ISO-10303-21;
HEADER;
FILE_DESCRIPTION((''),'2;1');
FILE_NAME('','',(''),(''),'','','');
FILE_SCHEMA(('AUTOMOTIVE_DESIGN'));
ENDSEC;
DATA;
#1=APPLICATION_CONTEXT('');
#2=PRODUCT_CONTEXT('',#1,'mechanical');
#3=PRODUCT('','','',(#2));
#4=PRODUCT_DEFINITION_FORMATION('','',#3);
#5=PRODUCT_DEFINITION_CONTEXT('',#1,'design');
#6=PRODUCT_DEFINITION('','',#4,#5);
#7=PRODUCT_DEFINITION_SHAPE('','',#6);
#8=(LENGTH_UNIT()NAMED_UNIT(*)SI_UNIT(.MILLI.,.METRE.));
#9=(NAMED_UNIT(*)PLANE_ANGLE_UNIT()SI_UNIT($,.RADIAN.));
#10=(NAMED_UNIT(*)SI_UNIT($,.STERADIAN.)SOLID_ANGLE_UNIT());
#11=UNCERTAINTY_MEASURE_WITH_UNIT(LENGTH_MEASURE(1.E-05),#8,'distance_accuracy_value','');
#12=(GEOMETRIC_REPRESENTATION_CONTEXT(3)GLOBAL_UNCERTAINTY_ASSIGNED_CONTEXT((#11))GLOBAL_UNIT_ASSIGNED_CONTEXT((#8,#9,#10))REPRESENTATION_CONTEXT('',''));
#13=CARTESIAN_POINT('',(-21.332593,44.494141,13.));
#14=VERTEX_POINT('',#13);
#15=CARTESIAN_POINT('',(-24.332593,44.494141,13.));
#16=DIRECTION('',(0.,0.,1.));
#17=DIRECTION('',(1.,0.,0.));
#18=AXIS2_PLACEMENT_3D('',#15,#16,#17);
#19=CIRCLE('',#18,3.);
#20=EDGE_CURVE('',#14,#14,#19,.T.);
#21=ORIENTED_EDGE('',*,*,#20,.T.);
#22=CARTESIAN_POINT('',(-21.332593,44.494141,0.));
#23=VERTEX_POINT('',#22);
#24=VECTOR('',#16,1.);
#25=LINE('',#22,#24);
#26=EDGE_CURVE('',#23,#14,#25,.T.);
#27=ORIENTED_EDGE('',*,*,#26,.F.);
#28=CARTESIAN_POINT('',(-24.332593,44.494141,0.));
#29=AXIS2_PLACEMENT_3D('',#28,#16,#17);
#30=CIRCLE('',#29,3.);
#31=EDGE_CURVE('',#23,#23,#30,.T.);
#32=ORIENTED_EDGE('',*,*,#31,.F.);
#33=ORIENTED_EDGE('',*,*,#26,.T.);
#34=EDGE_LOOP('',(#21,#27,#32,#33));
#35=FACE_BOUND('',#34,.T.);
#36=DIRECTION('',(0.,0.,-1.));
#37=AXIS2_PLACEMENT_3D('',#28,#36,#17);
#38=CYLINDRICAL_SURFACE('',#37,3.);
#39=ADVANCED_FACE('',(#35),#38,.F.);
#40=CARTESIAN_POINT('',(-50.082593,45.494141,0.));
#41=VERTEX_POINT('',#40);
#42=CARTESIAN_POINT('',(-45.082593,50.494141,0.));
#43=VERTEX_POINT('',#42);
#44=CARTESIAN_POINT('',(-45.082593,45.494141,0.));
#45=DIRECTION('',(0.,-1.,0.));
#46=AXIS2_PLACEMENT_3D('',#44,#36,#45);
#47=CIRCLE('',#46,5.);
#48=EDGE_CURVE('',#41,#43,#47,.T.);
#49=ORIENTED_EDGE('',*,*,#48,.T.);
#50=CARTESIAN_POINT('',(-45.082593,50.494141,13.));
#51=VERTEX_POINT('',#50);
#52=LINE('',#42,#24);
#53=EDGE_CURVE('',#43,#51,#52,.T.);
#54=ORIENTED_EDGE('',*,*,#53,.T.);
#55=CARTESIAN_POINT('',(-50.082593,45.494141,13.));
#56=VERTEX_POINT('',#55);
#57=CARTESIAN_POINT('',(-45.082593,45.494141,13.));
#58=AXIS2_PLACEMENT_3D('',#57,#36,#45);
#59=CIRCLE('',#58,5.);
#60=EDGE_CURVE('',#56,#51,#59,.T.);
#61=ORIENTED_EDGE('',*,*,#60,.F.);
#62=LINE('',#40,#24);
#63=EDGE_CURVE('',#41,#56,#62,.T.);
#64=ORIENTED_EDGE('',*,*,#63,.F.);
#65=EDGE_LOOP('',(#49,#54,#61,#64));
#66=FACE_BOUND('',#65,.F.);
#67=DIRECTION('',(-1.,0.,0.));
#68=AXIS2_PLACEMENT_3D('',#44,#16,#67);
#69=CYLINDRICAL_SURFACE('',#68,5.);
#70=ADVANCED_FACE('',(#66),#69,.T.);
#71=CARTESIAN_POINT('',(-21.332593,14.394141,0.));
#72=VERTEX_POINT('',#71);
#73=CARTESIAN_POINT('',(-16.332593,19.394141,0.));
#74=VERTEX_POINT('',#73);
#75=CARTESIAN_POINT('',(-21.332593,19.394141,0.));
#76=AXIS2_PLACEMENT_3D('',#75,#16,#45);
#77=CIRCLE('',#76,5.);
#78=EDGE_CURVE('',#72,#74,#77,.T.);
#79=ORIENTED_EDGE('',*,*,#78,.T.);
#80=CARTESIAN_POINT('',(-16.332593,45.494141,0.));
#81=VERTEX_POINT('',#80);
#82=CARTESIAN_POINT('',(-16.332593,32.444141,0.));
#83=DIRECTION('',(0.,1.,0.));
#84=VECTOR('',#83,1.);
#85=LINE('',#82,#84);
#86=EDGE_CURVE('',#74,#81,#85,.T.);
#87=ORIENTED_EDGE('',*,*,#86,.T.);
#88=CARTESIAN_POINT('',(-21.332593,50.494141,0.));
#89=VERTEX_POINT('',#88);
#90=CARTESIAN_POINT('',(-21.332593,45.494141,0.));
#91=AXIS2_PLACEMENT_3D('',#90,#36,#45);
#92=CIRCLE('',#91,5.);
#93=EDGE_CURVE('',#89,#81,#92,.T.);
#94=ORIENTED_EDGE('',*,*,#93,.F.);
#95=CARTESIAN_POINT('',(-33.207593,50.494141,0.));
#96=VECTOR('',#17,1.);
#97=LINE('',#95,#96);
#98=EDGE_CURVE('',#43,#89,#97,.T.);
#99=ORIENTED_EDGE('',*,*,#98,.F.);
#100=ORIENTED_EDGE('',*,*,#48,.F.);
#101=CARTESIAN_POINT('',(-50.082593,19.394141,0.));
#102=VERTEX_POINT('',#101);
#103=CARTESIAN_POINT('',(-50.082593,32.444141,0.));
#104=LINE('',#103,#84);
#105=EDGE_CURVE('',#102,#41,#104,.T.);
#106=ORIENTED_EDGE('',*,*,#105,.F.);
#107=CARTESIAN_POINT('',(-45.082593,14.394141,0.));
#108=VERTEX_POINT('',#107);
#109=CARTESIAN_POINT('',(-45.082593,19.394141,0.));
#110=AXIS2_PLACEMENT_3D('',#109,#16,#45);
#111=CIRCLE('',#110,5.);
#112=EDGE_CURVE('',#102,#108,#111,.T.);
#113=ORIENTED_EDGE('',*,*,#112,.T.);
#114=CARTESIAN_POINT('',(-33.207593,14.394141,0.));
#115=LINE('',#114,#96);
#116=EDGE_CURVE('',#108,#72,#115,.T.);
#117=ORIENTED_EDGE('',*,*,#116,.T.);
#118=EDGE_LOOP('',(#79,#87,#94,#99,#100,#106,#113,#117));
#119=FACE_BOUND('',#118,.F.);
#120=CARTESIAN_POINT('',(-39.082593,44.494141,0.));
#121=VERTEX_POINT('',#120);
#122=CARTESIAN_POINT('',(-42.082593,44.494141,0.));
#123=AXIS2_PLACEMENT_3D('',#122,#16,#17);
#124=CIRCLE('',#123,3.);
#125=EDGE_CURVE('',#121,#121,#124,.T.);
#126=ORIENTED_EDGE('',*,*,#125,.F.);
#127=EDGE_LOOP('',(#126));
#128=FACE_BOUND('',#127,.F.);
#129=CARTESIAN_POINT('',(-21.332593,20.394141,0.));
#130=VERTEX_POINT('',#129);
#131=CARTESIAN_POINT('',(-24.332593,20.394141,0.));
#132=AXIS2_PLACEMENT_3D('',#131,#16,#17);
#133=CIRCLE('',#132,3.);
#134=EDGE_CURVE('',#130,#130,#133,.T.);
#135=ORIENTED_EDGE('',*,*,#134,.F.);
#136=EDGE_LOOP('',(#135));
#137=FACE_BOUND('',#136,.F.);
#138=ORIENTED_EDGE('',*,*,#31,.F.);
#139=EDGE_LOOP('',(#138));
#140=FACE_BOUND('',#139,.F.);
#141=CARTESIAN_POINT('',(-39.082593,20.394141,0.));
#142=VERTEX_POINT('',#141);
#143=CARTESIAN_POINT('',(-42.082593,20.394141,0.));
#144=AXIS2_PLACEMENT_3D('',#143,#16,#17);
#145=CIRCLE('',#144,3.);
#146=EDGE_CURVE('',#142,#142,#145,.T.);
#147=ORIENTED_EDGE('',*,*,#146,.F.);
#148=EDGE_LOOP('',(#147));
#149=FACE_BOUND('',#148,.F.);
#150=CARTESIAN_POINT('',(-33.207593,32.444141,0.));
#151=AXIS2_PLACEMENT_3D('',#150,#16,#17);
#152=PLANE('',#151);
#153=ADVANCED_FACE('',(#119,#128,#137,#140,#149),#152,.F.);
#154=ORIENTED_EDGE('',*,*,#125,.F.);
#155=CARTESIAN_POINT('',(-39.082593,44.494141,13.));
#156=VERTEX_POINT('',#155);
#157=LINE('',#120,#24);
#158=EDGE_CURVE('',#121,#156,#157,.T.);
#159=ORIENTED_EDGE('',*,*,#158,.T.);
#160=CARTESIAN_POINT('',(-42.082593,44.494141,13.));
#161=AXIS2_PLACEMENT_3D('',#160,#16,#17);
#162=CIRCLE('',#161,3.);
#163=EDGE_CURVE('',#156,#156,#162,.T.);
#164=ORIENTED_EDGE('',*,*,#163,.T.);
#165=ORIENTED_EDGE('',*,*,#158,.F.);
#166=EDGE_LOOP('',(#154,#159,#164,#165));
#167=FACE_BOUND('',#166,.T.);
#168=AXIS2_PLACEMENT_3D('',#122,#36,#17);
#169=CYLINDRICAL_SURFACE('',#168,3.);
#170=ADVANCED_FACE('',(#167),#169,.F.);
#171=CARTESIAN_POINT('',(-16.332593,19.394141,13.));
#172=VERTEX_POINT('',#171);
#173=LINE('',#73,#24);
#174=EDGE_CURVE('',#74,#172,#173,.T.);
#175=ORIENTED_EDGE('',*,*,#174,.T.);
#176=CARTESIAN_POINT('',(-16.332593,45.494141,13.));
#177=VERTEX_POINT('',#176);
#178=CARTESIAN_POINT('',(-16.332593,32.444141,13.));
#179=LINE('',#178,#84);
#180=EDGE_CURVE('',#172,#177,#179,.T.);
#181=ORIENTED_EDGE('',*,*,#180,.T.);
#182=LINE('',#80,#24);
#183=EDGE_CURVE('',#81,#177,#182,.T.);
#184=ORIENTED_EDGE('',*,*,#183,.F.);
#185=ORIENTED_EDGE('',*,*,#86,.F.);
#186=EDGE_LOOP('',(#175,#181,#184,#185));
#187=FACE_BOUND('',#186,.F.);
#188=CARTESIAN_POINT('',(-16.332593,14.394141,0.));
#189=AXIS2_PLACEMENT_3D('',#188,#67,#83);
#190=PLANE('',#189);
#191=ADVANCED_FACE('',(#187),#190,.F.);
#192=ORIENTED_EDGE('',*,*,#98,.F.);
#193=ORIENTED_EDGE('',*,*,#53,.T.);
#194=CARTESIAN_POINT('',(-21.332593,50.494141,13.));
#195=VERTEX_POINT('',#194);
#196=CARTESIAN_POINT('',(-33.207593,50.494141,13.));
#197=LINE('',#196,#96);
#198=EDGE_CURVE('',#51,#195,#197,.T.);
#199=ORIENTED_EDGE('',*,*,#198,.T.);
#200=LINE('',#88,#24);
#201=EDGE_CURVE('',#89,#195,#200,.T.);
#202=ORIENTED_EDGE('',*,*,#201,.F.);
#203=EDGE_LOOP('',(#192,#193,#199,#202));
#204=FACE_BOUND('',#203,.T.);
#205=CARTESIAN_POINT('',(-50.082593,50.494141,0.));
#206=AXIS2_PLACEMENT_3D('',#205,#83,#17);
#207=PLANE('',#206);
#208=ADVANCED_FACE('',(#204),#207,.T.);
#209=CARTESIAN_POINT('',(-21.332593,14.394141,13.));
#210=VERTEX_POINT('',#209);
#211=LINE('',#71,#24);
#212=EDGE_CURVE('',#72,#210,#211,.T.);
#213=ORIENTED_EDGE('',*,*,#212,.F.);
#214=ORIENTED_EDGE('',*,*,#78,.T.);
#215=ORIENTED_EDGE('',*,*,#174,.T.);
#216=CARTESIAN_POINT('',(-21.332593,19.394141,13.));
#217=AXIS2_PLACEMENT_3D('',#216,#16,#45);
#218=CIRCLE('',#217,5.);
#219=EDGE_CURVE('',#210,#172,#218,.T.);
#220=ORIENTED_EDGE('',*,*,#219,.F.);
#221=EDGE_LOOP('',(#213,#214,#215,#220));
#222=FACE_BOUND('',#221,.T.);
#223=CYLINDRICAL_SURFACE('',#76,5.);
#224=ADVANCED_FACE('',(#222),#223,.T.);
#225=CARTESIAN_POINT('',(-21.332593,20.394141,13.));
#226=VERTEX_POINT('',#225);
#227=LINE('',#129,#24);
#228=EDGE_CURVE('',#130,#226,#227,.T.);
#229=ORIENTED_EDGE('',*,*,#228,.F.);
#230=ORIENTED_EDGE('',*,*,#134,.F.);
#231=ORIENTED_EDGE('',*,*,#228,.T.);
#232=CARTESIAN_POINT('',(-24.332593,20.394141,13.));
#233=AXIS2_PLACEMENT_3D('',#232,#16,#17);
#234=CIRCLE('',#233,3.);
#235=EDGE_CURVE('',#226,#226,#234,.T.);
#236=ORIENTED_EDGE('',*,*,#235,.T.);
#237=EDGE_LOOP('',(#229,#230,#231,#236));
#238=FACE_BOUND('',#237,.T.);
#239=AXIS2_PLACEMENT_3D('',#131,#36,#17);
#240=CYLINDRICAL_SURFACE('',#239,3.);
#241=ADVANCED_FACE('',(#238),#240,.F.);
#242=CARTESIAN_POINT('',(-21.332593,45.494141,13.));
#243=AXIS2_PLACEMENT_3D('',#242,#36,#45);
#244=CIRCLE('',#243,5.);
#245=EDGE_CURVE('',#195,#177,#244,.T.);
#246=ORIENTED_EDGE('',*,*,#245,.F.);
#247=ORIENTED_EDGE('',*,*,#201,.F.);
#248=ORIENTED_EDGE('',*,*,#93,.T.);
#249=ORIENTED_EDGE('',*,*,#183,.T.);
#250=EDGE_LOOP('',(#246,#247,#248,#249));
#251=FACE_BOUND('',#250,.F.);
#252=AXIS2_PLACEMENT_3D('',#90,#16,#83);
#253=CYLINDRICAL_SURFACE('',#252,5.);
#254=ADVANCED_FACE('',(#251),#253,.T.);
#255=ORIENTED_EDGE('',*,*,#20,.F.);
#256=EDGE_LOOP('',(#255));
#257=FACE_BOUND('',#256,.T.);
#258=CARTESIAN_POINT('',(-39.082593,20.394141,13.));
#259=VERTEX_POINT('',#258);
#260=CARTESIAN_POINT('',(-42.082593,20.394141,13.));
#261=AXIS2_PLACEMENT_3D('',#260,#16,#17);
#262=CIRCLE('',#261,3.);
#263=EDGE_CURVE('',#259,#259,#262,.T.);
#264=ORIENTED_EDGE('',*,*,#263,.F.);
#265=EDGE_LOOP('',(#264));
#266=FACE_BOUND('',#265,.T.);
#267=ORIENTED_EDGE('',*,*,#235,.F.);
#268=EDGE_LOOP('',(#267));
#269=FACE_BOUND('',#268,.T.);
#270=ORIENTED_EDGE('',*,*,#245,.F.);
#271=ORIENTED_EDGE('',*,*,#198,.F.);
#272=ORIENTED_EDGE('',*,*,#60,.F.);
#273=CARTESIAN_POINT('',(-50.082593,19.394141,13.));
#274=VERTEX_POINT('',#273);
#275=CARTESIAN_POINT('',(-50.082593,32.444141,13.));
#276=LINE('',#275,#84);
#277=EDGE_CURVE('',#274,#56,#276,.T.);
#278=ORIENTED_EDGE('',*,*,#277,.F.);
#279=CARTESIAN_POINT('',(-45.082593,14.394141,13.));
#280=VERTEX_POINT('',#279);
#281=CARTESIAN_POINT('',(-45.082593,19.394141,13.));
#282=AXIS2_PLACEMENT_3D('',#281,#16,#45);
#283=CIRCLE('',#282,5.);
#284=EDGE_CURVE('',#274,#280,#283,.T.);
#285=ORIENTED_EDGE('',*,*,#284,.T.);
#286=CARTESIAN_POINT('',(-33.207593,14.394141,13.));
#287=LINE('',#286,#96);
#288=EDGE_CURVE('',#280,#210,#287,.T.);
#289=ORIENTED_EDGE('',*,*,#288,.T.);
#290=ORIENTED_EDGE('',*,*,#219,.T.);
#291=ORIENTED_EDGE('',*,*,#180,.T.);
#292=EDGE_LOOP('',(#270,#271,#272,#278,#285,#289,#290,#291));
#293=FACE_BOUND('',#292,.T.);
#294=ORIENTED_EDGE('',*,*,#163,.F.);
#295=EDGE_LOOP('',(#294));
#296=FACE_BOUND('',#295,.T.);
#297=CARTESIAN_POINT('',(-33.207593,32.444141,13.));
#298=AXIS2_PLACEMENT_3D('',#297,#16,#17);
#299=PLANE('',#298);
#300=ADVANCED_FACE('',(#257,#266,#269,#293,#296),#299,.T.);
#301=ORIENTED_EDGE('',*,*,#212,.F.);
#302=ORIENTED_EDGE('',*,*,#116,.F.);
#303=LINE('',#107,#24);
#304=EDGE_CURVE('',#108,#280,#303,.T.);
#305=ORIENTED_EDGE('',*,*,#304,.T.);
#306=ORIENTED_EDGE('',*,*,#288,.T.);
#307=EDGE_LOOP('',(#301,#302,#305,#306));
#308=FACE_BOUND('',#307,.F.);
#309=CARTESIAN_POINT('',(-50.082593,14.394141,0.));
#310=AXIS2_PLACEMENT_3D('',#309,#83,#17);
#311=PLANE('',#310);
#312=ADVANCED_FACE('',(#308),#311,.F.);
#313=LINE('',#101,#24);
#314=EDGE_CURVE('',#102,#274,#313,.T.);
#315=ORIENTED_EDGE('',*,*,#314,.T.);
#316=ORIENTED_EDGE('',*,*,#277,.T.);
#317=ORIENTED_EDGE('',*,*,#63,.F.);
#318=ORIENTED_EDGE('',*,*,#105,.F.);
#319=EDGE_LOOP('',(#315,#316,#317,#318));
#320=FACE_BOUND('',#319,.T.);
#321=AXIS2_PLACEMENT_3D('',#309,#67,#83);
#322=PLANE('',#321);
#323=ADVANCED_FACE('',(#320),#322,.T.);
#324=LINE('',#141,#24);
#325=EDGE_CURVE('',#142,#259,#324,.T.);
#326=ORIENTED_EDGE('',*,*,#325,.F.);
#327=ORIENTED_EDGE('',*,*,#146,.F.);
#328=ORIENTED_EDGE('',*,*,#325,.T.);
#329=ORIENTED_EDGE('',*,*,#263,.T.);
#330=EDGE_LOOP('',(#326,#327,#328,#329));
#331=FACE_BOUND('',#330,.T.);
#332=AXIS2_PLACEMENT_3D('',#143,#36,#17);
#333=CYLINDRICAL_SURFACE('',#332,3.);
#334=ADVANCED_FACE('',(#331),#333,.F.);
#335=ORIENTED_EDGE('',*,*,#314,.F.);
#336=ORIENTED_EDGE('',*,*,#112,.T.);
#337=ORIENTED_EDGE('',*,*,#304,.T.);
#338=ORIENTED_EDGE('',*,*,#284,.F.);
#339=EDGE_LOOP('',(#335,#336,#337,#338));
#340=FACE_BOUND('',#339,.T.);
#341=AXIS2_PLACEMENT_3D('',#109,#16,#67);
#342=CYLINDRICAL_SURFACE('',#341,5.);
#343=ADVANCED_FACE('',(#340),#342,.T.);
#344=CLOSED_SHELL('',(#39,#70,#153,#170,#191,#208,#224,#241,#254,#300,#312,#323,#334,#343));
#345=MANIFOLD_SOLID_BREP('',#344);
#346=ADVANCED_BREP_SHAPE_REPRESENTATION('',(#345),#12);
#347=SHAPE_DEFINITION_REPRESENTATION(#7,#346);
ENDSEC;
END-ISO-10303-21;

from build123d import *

# Parameters (mm, degrees)
F0_W     = 33.75
F0_H     = 36.1
F0_R     = 3
F1_DEPTH = 13
F2_R     = 5


with BuildPart() as f1:
    # F0 (on Top) → F1 (new body)
    with BuildSketch(Plane.XY):
        with Locations((-33.207593, 32.444141)):
            Rectangle(F0_W, F0_H)
        with Locations((-42.082593, 20.394141)):
            Circle(F0_R, mode=Mode.SUBTRACT)
        with Locations((-24.332593, 20.394141)):
            Circle(F0_R, mode=Mode.SUBTRACT)
        with Locations((-42.082593, 44.494141)):
            Circle(F0_R, mode=Mode.SUBTRACT)
        with Locations((-24.332593, 44.494141)):
            Circle(F0_R, mode=Mode.SUBTRACT)
    extrude(amount=F1_DEPTH)

    # F2
    f2_edges = [f1.edges().sort_by_distance(p)[0] for p in [
        (-50.082593, 14.394141, 6.5),
        (-16.332593, 14.394141, 6.5),
        (-50.082593, 50.494141, 6.5),
        (-16.332593, 50.494141, 6.5),
    ]]
    fillet(f2_edges, radius=F2_R)


solid = f1.part
